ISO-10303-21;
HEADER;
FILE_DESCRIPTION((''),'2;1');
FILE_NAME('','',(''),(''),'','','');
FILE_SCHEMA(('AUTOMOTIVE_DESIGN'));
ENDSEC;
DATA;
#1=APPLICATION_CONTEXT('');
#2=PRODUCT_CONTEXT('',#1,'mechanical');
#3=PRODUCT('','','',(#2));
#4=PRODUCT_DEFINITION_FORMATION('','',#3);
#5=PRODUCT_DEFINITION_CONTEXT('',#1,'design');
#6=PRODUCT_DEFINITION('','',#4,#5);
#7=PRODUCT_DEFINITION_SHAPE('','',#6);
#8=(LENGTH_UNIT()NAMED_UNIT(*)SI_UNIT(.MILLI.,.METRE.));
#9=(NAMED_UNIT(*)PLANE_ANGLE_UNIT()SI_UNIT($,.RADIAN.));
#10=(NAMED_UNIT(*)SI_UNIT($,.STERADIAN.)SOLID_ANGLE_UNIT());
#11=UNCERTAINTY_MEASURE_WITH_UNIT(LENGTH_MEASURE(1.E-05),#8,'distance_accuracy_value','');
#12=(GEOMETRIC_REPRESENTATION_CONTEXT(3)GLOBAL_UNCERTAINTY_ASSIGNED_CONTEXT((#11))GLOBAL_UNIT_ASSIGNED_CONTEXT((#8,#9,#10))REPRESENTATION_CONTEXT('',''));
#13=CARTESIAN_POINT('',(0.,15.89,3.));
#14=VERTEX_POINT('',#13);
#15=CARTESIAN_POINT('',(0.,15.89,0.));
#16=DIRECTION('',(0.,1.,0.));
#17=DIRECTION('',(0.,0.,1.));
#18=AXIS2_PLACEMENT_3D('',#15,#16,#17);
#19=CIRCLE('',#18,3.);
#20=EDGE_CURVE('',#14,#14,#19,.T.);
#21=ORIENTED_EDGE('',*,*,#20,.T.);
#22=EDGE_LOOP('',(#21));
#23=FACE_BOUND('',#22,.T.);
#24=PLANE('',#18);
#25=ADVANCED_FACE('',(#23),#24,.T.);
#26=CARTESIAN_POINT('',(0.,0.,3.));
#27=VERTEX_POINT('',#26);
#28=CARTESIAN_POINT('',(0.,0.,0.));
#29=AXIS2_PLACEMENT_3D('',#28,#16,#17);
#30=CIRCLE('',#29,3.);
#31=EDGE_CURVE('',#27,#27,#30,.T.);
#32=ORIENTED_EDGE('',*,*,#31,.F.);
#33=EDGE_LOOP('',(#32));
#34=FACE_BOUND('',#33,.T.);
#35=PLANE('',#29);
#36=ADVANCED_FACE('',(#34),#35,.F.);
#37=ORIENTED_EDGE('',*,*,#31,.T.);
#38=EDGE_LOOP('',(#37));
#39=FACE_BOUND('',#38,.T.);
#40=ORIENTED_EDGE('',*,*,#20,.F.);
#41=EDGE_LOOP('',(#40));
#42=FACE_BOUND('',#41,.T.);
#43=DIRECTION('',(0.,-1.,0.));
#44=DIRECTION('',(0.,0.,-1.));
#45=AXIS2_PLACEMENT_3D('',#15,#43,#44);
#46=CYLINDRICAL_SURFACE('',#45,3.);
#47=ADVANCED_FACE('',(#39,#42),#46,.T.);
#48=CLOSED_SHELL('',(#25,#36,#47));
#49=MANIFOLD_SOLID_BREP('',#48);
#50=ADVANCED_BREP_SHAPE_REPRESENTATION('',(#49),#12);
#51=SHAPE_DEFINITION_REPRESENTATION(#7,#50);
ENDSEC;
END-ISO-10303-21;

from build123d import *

# Parameters (mm, degrees)
IZIM1_R                     = 3
Y_KSEKLIK_EKSTR_ZYON1_DEPTH = 15.89


with BuildPart() as part:
    # Çizim1 → Yükseklik-Ekstrüzyon1 (new body)
    with BuildSketch(Plane(origin=(0, 0, 0), x_dir=(1, 0, 0), z_dir=(0, 1, 0))):
        with Locations(Location((0, 0, 0), (0, 0, 270))):
            Circle(IZIM1_R)
    extrude(amount=Y_KSEKLIK_EKSTR_ZYON1_DEPTH)


solid = part.part
